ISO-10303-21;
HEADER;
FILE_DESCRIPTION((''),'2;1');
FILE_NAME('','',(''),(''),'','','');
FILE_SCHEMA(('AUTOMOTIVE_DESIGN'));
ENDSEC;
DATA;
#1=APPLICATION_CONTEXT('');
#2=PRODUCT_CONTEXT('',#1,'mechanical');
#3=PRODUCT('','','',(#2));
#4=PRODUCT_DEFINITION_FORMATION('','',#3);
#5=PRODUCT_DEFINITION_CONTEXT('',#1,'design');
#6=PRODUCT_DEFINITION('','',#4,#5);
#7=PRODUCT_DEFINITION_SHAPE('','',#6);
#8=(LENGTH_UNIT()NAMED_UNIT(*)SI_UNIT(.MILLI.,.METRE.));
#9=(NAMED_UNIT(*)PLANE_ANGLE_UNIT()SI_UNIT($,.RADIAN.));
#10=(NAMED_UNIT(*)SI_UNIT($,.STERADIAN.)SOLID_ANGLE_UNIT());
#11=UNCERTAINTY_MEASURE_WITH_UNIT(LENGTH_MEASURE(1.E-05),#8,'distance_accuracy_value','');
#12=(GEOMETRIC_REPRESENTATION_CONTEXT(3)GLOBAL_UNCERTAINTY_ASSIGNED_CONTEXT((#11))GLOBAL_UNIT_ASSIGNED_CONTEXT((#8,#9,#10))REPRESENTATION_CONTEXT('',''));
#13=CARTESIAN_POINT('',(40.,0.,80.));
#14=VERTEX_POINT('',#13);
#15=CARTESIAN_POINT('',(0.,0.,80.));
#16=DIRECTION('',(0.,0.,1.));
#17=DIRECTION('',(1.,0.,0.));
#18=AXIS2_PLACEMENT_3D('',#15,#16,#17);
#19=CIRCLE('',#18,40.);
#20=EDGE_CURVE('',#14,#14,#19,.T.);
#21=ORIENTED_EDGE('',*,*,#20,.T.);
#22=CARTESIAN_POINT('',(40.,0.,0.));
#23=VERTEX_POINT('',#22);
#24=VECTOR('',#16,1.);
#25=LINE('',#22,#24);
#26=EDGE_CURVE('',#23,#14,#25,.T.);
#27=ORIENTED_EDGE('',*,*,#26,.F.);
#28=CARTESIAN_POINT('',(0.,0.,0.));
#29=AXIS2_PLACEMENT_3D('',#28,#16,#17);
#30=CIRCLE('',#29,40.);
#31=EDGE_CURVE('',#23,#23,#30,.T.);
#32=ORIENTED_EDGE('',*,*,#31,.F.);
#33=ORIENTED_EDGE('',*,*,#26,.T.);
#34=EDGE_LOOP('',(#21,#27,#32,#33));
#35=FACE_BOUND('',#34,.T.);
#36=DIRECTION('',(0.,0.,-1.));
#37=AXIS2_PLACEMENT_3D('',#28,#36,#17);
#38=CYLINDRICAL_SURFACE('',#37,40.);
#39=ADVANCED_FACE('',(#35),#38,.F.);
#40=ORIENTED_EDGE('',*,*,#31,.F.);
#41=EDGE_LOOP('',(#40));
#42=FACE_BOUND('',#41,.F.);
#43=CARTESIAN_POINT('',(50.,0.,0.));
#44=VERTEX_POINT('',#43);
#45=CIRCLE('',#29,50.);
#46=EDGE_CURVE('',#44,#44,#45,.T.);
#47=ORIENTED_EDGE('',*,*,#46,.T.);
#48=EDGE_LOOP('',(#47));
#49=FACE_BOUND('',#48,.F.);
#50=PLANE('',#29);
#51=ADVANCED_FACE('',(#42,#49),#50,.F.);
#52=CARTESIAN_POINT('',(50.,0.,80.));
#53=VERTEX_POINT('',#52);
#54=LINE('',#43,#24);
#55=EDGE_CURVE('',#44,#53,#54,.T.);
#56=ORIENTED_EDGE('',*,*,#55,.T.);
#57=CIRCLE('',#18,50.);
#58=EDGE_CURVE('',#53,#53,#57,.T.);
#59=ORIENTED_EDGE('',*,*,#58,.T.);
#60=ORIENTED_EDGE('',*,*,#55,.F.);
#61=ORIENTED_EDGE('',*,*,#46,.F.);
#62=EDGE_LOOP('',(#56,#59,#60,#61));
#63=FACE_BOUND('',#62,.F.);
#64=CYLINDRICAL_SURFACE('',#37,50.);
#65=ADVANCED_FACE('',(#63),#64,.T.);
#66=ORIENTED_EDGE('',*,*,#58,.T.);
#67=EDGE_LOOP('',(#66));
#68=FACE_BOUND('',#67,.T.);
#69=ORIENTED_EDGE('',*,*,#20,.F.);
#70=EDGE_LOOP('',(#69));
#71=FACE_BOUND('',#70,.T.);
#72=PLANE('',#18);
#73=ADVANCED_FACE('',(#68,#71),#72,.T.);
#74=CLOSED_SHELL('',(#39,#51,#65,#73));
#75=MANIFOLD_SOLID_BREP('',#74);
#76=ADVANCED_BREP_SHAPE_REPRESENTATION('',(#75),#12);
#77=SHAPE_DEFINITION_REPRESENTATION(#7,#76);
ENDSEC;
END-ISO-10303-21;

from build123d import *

# Parameters (mm, degrees)
CYLINDER001_R     = 40
CYLINDER001_DEPTH = 80
CYLINDER_R        = 50
CYLINDER_DEPTH    = 80


with BuildPart() as cercle_interne:
    # Cylinder001 → Cylinder001 (new body)
    with BuildSketch(Plane.XY):
        Circle(CYLINDER001_R)
    extrude(amount=CYLINDER001_DEPTH)


with BuildPart() as cut:
    # Cylinder → Cylinder (new body)
    with BuildSketch(Plane.XY):
        Circle(CYLINDER_R)
    extrude(amount=CYLINDER_DEPTH)

    # Cut: cut cercle interne
    add(cercle_interne.part, mode=Mode.SUBTRACT)


solid = cut.part
